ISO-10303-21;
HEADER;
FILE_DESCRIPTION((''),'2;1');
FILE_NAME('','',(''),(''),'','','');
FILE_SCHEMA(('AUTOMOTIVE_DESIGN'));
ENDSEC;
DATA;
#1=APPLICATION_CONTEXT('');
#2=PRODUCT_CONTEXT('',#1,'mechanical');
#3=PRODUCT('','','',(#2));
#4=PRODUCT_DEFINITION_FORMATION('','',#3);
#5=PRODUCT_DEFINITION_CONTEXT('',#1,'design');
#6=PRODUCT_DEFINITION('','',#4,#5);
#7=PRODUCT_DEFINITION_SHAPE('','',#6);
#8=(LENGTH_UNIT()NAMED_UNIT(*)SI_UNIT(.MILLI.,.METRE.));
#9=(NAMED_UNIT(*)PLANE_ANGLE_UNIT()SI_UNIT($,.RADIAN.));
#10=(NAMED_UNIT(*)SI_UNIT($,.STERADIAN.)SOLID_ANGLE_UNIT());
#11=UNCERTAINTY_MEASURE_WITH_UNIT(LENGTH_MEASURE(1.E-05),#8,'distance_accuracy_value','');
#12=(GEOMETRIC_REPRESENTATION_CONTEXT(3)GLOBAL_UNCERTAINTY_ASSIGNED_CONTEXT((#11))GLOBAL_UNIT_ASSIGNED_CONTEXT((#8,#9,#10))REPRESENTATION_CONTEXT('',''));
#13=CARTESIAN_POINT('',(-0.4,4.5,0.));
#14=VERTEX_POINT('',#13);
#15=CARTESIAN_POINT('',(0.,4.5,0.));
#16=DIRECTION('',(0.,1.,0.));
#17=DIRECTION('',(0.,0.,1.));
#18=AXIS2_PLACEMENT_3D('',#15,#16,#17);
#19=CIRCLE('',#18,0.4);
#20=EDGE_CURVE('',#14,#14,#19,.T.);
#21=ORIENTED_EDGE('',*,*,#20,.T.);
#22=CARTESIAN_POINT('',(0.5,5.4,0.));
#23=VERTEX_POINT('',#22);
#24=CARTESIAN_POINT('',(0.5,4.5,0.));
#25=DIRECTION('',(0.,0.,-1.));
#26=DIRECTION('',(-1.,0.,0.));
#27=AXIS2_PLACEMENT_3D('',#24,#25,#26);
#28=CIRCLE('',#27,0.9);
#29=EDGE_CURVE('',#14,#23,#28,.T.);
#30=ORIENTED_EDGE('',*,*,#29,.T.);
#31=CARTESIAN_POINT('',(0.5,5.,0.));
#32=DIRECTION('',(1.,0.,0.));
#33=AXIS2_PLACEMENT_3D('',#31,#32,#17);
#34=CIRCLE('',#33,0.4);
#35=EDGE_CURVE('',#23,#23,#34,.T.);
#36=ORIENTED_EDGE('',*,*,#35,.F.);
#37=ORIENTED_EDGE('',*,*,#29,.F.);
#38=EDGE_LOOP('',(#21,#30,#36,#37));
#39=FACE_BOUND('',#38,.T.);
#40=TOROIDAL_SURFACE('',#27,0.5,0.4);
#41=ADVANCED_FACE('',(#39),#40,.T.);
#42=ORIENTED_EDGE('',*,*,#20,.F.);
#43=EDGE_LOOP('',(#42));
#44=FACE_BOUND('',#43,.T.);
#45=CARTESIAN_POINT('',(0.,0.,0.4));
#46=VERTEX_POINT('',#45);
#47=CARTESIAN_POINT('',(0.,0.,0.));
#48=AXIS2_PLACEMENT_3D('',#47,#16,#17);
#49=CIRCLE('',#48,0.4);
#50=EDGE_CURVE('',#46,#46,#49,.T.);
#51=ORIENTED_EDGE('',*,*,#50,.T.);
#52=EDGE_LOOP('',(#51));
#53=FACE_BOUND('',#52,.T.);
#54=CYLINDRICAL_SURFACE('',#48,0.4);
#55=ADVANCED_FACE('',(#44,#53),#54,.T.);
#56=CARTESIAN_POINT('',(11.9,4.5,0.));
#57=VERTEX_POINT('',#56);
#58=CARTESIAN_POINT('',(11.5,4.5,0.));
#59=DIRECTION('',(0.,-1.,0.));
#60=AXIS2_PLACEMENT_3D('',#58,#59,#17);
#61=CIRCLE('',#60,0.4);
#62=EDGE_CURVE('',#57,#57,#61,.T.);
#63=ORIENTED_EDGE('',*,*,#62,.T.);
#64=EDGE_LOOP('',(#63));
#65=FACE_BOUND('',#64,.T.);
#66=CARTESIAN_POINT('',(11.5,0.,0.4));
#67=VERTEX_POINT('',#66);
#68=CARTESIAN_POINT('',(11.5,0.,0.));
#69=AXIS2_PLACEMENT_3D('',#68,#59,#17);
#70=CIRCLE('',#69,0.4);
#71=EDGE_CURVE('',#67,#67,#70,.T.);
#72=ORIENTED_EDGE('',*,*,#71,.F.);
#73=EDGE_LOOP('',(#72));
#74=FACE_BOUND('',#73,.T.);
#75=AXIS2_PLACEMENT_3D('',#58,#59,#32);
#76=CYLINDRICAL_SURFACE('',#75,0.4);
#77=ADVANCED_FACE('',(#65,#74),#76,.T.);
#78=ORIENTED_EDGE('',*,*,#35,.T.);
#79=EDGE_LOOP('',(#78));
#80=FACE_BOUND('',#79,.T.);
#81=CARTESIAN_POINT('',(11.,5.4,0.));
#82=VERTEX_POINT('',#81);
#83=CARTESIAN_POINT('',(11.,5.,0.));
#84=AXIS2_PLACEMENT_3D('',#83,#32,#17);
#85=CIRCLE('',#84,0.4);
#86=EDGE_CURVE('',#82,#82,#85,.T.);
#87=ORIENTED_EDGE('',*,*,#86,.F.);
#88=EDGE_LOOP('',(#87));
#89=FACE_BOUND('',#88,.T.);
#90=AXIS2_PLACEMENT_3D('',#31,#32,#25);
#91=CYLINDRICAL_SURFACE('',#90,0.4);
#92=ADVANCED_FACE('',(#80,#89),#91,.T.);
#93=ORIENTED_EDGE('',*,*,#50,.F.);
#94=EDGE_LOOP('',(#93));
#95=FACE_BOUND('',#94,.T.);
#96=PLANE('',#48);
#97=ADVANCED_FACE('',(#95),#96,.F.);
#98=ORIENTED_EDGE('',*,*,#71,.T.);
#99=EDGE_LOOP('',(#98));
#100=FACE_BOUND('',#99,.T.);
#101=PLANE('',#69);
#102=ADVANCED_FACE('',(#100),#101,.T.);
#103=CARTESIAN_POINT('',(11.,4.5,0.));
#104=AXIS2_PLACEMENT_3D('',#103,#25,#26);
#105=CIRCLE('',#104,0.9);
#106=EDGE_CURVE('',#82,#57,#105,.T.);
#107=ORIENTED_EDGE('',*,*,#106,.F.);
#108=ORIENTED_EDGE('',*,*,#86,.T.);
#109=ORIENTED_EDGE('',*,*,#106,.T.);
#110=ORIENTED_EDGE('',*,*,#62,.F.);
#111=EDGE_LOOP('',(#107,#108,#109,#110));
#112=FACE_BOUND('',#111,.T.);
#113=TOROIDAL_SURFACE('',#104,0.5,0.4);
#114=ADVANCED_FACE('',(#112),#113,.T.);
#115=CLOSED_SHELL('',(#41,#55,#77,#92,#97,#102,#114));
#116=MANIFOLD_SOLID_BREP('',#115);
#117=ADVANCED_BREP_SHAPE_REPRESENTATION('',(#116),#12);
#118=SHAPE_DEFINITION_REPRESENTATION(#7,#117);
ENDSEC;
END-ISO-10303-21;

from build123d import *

# Parameters (mm, degrees)
SKETCH1_R = 0.4


with BuildPart() as part:
    # Sweep1: sweep along a path in Sketch4
    with BuildLine(Plane.XY) as sweep1_path:
        Line((0, 0), (0, 4.5))
        ThreePointArc((0, 4.5), (0.146446609, 4.853553391), (0.5, 5))
        Line((0.5, 5), (11, 5))
        ThreePointArc((11, 5), (11.353553391, 4.853553391), (11.5, 4.5))
        Line((11.5, 4.5), (11.5, 0))
    # Sketch1 → Sweep1 (sweep)
    with BuildSketch(Plane(origin=(0, 0, 0), x_dir=(1, 0, 0), z_dir=(0, 1, 0))):
        Circle(SKETCH1_R)
    sweep(path=sweep1_path.line)


solid = part.part
